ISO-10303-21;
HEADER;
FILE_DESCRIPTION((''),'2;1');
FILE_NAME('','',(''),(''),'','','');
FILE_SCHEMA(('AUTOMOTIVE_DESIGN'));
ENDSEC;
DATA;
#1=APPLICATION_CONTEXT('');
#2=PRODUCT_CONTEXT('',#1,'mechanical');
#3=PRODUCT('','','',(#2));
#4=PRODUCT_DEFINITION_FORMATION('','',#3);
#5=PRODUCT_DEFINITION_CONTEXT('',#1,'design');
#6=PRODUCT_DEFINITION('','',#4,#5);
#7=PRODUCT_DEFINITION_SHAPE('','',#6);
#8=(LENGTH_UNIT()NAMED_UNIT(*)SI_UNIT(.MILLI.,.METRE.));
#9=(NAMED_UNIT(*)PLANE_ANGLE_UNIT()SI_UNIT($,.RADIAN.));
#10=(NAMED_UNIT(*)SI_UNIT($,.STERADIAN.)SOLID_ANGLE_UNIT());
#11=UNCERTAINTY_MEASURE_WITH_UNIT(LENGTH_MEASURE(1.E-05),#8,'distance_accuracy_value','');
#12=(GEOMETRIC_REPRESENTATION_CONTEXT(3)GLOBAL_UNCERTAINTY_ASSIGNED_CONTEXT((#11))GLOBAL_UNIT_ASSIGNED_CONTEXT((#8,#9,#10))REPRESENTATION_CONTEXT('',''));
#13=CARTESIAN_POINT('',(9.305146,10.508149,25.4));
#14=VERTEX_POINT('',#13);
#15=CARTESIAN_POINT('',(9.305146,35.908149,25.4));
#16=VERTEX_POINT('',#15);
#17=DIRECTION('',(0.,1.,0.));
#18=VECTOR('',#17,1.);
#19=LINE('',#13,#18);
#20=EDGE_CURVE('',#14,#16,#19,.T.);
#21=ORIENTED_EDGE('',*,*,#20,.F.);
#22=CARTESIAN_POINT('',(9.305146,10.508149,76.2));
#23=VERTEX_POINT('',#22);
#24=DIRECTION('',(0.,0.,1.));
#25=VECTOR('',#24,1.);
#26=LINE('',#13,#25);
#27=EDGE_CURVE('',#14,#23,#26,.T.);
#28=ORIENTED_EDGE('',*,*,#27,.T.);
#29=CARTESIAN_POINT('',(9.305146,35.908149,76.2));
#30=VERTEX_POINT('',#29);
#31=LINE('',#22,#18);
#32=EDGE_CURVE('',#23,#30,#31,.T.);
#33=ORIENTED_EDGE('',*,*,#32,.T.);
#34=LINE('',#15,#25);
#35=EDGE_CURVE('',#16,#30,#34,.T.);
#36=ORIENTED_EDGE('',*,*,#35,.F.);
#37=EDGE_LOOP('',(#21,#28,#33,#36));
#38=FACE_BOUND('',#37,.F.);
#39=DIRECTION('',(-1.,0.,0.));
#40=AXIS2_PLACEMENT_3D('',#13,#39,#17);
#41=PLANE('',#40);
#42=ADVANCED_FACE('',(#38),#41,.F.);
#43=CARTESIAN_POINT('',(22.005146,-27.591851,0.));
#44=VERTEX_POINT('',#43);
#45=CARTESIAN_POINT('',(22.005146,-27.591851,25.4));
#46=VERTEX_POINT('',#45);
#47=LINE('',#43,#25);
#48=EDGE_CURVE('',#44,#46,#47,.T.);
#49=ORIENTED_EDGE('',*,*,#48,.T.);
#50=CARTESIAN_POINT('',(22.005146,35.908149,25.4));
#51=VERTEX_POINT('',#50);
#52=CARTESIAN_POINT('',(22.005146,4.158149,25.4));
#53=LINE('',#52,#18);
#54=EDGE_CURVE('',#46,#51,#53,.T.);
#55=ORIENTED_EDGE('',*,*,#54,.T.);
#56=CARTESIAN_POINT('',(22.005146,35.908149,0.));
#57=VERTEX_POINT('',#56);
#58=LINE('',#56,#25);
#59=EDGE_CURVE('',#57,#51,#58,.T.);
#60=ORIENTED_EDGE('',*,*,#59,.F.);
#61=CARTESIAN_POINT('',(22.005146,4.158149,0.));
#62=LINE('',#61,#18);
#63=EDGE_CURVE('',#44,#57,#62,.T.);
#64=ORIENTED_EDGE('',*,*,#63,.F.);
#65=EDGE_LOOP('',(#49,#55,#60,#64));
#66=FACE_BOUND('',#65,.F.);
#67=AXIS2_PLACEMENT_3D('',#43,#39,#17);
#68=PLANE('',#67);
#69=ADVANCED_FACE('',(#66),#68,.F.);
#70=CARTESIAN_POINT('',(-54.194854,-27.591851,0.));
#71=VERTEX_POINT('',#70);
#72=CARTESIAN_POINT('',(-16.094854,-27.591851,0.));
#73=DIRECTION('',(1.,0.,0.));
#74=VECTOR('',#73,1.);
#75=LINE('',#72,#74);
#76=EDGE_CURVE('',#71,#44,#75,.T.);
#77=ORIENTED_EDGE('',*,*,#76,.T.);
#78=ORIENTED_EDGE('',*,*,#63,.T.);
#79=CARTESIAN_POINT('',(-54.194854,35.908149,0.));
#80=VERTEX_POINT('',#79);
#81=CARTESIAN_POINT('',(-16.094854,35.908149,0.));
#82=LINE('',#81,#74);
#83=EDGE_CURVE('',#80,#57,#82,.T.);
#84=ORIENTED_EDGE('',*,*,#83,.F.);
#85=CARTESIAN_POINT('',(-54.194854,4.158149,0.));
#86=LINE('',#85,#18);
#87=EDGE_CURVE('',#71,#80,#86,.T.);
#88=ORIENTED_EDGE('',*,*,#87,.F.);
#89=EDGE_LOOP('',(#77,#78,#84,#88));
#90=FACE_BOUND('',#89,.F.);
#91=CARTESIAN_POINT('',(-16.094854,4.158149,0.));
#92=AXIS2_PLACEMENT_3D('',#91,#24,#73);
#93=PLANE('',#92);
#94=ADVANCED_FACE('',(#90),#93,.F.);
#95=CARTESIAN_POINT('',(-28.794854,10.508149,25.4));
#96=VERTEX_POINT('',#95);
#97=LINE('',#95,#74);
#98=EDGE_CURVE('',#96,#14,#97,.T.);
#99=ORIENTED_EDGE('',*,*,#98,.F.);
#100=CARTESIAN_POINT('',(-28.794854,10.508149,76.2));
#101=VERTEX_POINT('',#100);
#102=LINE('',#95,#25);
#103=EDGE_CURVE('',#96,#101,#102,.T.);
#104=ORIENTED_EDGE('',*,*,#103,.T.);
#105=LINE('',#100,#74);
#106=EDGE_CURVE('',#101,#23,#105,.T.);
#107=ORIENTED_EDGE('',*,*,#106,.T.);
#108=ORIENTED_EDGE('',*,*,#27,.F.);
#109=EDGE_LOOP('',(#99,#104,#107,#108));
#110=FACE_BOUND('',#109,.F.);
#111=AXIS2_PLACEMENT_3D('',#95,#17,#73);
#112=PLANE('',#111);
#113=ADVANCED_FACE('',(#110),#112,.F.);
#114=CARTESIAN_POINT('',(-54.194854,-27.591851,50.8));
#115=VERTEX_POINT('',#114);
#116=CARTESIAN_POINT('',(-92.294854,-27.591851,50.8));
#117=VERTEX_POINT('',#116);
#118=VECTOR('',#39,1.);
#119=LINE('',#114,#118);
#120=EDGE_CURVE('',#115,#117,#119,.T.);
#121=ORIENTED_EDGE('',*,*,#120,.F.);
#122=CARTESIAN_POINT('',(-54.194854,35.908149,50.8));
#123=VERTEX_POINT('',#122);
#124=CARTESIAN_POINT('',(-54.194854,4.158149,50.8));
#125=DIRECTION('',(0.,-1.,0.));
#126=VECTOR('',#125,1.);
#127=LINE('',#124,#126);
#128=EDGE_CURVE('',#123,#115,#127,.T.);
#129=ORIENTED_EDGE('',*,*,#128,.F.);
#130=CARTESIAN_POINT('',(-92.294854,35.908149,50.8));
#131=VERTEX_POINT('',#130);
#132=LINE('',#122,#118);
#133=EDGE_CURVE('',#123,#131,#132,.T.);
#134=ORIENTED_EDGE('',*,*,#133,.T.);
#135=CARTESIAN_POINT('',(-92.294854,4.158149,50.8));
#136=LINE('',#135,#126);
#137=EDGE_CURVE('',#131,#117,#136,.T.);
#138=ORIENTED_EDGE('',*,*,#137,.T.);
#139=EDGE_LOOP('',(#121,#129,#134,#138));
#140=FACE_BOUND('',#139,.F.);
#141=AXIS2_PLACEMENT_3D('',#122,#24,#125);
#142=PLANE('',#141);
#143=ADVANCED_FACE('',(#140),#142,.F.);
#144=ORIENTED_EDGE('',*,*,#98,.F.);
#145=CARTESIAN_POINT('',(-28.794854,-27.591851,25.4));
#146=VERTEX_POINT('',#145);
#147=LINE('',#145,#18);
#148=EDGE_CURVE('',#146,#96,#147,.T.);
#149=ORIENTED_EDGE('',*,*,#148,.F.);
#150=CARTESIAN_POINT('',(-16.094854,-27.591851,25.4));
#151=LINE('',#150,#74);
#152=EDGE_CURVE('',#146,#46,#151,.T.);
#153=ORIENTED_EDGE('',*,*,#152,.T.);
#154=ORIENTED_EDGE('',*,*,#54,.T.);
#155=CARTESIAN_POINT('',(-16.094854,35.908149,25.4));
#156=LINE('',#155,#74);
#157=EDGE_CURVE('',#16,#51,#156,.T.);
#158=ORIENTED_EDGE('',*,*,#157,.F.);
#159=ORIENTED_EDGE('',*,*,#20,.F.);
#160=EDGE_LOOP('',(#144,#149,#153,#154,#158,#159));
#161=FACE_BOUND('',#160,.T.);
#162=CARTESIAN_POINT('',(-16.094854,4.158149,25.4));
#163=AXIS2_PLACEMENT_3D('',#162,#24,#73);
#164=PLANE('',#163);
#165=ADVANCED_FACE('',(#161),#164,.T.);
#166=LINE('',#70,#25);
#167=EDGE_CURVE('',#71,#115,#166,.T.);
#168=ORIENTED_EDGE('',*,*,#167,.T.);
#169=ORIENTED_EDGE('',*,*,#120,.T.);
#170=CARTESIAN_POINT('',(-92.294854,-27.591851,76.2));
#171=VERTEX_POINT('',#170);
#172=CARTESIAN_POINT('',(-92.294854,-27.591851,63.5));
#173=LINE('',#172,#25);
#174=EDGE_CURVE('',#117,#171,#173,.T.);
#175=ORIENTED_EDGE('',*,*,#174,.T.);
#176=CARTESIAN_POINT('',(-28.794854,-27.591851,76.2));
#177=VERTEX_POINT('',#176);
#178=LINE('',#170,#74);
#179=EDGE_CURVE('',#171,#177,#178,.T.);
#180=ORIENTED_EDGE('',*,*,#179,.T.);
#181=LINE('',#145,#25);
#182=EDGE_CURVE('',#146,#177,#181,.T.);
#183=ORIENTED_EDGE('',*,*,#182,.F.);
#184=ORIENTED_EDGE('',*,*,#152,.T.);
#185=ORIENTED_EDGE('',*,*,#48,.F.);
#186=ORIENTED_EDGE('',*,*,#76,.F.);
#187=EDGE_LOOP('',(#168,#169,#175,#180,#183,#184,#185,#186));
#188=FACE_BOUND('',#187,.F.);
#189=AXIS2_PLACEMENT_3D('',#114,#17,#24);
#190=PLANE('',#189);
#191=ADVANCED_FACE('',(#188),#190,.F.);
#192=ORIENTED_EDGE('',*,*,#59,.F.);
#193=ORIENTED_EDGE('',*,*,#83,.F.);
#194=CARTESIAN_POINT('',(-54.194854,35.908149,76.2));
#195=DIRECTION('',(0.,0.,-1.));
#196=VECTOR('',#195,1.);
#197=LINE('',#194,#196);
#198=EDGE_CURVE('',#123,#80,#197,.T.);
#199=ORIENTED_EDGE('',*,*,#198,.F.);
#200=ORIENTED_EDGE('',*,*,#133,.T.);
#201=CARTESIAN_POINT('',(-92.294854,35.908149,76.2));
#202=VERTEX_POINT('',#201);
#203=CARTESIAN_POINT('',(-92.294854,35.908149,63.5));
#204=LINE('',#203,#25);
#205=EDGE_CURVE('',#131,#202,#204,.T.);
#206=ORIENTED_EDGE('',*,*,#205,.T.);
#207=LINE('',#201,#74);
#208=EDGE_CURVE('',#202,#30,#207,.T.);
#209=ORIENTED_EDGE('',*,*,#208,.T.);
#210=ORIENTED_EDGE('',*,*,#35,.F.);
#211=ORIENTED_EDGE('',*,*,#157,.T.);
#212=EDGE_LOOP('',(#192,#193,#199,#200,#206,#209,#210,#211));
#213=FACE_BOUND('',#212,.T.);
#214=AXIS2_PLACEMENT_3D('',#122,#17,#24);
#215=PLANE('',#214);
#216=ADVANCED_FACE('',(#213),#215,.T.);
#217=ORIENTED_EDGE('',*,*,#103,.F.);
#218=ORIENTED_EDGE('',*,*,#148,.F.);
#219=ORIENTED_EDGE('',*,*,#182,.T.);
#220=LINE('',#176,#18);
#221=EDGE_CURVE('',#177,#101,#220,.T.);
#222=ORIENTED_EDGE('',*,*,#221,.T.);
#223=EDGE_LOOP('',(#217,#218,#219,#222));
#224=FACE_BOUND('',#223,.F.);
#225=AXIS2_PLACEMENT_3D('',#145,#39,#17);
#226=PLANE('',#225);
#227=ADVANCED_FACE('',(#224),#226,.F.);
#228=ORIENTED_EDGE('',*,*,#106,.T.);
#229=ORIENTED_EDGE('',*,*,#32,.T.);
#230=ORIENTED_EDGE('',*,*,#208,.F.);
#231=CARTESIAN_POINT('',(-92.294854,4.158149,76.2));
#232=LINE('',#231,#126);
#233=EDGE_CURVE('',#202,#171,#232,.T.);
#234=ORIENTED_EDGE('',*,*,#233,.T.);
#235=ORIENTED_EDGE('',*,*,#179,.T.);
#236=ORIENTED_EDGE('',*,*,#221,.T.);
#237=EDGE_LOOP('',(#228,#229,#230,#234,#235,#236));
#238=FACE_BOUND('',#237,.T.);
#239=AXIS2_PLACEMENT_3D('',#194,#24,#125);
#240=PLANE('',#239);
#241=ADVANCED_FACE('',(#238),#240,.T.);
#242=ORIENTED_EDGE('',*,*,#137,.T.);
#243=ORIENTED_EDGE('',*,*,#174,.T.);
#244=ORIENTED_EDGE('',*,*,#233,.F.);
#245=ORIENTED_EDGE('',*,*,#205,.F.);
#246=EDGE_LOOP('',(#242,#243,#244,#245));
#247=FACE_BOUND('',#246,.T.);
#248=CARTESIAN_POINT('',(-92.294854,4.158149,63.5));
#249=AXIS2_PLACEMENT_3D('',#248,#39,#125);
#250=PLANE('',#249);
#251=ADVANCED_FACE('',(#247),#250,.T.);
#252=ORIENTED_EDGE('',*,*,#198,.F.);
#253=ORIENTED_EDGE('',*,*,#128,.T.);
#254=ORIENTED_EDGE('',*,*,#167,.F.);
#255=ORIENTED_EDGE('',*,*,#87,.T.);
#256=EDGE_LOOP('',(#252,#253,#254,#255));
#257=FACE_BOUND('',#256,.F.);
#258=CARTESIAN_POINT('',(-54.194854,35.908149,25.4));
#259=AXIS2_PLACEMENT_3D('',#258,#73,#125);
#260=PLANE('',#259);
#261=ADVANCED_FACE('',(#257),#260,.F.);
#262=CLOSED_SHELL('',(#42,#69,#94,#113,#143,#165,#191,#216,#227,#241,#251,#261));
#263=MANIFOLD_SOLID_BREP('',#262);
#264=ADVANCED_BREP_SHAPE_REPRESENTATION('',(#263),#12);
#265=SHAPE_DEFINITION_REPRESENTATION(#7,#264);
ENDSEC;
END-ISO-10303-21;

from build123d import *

# Parameters (mm, degrees)
F0_W     = 76.2
F0_H     = 63.5
F1_DEPTH = 25.4
F3_DEPTH = 50.8
F4_W     = 63.5
F4_H     = 25.4
F5_DEPTH = 38.1


with BuildPart() as f1:
    # F0 (on Top) → F1 (new body)
    with BuildSketch(Plane.XY):
        with Locations((-16.094854, 4.158149)):
            Rectangle(F0_W, F0_H)
    extrude(amount=F1_DEPTH)

    # F2 (on face) → F3 (join)
    with BuildSketch(Plane.XY.offset(25.4)):
        Polygon((-54.194854, 35.908149), (-54.194854, -27.591851), (-28.794854, -27.591851), (-28.794854, 10.508149), (9.305146, 10.508149), (9.305146, 35.908149), align=None)
    extrude(amount=F3_DEPTH)

    # F4 (on face) → F5 (join)
    with BuildSketch(Plane(origin=(-54.194854, 0, 0), x_dir=(0, -1, 0), z_dir=(-1, 0, 0))):
        with Locations((-4.158149, 63.5)):
            Rectangle(F4_W, F4_H)
    extrude(amount=F5_DEPTH)


solid = f1.part
